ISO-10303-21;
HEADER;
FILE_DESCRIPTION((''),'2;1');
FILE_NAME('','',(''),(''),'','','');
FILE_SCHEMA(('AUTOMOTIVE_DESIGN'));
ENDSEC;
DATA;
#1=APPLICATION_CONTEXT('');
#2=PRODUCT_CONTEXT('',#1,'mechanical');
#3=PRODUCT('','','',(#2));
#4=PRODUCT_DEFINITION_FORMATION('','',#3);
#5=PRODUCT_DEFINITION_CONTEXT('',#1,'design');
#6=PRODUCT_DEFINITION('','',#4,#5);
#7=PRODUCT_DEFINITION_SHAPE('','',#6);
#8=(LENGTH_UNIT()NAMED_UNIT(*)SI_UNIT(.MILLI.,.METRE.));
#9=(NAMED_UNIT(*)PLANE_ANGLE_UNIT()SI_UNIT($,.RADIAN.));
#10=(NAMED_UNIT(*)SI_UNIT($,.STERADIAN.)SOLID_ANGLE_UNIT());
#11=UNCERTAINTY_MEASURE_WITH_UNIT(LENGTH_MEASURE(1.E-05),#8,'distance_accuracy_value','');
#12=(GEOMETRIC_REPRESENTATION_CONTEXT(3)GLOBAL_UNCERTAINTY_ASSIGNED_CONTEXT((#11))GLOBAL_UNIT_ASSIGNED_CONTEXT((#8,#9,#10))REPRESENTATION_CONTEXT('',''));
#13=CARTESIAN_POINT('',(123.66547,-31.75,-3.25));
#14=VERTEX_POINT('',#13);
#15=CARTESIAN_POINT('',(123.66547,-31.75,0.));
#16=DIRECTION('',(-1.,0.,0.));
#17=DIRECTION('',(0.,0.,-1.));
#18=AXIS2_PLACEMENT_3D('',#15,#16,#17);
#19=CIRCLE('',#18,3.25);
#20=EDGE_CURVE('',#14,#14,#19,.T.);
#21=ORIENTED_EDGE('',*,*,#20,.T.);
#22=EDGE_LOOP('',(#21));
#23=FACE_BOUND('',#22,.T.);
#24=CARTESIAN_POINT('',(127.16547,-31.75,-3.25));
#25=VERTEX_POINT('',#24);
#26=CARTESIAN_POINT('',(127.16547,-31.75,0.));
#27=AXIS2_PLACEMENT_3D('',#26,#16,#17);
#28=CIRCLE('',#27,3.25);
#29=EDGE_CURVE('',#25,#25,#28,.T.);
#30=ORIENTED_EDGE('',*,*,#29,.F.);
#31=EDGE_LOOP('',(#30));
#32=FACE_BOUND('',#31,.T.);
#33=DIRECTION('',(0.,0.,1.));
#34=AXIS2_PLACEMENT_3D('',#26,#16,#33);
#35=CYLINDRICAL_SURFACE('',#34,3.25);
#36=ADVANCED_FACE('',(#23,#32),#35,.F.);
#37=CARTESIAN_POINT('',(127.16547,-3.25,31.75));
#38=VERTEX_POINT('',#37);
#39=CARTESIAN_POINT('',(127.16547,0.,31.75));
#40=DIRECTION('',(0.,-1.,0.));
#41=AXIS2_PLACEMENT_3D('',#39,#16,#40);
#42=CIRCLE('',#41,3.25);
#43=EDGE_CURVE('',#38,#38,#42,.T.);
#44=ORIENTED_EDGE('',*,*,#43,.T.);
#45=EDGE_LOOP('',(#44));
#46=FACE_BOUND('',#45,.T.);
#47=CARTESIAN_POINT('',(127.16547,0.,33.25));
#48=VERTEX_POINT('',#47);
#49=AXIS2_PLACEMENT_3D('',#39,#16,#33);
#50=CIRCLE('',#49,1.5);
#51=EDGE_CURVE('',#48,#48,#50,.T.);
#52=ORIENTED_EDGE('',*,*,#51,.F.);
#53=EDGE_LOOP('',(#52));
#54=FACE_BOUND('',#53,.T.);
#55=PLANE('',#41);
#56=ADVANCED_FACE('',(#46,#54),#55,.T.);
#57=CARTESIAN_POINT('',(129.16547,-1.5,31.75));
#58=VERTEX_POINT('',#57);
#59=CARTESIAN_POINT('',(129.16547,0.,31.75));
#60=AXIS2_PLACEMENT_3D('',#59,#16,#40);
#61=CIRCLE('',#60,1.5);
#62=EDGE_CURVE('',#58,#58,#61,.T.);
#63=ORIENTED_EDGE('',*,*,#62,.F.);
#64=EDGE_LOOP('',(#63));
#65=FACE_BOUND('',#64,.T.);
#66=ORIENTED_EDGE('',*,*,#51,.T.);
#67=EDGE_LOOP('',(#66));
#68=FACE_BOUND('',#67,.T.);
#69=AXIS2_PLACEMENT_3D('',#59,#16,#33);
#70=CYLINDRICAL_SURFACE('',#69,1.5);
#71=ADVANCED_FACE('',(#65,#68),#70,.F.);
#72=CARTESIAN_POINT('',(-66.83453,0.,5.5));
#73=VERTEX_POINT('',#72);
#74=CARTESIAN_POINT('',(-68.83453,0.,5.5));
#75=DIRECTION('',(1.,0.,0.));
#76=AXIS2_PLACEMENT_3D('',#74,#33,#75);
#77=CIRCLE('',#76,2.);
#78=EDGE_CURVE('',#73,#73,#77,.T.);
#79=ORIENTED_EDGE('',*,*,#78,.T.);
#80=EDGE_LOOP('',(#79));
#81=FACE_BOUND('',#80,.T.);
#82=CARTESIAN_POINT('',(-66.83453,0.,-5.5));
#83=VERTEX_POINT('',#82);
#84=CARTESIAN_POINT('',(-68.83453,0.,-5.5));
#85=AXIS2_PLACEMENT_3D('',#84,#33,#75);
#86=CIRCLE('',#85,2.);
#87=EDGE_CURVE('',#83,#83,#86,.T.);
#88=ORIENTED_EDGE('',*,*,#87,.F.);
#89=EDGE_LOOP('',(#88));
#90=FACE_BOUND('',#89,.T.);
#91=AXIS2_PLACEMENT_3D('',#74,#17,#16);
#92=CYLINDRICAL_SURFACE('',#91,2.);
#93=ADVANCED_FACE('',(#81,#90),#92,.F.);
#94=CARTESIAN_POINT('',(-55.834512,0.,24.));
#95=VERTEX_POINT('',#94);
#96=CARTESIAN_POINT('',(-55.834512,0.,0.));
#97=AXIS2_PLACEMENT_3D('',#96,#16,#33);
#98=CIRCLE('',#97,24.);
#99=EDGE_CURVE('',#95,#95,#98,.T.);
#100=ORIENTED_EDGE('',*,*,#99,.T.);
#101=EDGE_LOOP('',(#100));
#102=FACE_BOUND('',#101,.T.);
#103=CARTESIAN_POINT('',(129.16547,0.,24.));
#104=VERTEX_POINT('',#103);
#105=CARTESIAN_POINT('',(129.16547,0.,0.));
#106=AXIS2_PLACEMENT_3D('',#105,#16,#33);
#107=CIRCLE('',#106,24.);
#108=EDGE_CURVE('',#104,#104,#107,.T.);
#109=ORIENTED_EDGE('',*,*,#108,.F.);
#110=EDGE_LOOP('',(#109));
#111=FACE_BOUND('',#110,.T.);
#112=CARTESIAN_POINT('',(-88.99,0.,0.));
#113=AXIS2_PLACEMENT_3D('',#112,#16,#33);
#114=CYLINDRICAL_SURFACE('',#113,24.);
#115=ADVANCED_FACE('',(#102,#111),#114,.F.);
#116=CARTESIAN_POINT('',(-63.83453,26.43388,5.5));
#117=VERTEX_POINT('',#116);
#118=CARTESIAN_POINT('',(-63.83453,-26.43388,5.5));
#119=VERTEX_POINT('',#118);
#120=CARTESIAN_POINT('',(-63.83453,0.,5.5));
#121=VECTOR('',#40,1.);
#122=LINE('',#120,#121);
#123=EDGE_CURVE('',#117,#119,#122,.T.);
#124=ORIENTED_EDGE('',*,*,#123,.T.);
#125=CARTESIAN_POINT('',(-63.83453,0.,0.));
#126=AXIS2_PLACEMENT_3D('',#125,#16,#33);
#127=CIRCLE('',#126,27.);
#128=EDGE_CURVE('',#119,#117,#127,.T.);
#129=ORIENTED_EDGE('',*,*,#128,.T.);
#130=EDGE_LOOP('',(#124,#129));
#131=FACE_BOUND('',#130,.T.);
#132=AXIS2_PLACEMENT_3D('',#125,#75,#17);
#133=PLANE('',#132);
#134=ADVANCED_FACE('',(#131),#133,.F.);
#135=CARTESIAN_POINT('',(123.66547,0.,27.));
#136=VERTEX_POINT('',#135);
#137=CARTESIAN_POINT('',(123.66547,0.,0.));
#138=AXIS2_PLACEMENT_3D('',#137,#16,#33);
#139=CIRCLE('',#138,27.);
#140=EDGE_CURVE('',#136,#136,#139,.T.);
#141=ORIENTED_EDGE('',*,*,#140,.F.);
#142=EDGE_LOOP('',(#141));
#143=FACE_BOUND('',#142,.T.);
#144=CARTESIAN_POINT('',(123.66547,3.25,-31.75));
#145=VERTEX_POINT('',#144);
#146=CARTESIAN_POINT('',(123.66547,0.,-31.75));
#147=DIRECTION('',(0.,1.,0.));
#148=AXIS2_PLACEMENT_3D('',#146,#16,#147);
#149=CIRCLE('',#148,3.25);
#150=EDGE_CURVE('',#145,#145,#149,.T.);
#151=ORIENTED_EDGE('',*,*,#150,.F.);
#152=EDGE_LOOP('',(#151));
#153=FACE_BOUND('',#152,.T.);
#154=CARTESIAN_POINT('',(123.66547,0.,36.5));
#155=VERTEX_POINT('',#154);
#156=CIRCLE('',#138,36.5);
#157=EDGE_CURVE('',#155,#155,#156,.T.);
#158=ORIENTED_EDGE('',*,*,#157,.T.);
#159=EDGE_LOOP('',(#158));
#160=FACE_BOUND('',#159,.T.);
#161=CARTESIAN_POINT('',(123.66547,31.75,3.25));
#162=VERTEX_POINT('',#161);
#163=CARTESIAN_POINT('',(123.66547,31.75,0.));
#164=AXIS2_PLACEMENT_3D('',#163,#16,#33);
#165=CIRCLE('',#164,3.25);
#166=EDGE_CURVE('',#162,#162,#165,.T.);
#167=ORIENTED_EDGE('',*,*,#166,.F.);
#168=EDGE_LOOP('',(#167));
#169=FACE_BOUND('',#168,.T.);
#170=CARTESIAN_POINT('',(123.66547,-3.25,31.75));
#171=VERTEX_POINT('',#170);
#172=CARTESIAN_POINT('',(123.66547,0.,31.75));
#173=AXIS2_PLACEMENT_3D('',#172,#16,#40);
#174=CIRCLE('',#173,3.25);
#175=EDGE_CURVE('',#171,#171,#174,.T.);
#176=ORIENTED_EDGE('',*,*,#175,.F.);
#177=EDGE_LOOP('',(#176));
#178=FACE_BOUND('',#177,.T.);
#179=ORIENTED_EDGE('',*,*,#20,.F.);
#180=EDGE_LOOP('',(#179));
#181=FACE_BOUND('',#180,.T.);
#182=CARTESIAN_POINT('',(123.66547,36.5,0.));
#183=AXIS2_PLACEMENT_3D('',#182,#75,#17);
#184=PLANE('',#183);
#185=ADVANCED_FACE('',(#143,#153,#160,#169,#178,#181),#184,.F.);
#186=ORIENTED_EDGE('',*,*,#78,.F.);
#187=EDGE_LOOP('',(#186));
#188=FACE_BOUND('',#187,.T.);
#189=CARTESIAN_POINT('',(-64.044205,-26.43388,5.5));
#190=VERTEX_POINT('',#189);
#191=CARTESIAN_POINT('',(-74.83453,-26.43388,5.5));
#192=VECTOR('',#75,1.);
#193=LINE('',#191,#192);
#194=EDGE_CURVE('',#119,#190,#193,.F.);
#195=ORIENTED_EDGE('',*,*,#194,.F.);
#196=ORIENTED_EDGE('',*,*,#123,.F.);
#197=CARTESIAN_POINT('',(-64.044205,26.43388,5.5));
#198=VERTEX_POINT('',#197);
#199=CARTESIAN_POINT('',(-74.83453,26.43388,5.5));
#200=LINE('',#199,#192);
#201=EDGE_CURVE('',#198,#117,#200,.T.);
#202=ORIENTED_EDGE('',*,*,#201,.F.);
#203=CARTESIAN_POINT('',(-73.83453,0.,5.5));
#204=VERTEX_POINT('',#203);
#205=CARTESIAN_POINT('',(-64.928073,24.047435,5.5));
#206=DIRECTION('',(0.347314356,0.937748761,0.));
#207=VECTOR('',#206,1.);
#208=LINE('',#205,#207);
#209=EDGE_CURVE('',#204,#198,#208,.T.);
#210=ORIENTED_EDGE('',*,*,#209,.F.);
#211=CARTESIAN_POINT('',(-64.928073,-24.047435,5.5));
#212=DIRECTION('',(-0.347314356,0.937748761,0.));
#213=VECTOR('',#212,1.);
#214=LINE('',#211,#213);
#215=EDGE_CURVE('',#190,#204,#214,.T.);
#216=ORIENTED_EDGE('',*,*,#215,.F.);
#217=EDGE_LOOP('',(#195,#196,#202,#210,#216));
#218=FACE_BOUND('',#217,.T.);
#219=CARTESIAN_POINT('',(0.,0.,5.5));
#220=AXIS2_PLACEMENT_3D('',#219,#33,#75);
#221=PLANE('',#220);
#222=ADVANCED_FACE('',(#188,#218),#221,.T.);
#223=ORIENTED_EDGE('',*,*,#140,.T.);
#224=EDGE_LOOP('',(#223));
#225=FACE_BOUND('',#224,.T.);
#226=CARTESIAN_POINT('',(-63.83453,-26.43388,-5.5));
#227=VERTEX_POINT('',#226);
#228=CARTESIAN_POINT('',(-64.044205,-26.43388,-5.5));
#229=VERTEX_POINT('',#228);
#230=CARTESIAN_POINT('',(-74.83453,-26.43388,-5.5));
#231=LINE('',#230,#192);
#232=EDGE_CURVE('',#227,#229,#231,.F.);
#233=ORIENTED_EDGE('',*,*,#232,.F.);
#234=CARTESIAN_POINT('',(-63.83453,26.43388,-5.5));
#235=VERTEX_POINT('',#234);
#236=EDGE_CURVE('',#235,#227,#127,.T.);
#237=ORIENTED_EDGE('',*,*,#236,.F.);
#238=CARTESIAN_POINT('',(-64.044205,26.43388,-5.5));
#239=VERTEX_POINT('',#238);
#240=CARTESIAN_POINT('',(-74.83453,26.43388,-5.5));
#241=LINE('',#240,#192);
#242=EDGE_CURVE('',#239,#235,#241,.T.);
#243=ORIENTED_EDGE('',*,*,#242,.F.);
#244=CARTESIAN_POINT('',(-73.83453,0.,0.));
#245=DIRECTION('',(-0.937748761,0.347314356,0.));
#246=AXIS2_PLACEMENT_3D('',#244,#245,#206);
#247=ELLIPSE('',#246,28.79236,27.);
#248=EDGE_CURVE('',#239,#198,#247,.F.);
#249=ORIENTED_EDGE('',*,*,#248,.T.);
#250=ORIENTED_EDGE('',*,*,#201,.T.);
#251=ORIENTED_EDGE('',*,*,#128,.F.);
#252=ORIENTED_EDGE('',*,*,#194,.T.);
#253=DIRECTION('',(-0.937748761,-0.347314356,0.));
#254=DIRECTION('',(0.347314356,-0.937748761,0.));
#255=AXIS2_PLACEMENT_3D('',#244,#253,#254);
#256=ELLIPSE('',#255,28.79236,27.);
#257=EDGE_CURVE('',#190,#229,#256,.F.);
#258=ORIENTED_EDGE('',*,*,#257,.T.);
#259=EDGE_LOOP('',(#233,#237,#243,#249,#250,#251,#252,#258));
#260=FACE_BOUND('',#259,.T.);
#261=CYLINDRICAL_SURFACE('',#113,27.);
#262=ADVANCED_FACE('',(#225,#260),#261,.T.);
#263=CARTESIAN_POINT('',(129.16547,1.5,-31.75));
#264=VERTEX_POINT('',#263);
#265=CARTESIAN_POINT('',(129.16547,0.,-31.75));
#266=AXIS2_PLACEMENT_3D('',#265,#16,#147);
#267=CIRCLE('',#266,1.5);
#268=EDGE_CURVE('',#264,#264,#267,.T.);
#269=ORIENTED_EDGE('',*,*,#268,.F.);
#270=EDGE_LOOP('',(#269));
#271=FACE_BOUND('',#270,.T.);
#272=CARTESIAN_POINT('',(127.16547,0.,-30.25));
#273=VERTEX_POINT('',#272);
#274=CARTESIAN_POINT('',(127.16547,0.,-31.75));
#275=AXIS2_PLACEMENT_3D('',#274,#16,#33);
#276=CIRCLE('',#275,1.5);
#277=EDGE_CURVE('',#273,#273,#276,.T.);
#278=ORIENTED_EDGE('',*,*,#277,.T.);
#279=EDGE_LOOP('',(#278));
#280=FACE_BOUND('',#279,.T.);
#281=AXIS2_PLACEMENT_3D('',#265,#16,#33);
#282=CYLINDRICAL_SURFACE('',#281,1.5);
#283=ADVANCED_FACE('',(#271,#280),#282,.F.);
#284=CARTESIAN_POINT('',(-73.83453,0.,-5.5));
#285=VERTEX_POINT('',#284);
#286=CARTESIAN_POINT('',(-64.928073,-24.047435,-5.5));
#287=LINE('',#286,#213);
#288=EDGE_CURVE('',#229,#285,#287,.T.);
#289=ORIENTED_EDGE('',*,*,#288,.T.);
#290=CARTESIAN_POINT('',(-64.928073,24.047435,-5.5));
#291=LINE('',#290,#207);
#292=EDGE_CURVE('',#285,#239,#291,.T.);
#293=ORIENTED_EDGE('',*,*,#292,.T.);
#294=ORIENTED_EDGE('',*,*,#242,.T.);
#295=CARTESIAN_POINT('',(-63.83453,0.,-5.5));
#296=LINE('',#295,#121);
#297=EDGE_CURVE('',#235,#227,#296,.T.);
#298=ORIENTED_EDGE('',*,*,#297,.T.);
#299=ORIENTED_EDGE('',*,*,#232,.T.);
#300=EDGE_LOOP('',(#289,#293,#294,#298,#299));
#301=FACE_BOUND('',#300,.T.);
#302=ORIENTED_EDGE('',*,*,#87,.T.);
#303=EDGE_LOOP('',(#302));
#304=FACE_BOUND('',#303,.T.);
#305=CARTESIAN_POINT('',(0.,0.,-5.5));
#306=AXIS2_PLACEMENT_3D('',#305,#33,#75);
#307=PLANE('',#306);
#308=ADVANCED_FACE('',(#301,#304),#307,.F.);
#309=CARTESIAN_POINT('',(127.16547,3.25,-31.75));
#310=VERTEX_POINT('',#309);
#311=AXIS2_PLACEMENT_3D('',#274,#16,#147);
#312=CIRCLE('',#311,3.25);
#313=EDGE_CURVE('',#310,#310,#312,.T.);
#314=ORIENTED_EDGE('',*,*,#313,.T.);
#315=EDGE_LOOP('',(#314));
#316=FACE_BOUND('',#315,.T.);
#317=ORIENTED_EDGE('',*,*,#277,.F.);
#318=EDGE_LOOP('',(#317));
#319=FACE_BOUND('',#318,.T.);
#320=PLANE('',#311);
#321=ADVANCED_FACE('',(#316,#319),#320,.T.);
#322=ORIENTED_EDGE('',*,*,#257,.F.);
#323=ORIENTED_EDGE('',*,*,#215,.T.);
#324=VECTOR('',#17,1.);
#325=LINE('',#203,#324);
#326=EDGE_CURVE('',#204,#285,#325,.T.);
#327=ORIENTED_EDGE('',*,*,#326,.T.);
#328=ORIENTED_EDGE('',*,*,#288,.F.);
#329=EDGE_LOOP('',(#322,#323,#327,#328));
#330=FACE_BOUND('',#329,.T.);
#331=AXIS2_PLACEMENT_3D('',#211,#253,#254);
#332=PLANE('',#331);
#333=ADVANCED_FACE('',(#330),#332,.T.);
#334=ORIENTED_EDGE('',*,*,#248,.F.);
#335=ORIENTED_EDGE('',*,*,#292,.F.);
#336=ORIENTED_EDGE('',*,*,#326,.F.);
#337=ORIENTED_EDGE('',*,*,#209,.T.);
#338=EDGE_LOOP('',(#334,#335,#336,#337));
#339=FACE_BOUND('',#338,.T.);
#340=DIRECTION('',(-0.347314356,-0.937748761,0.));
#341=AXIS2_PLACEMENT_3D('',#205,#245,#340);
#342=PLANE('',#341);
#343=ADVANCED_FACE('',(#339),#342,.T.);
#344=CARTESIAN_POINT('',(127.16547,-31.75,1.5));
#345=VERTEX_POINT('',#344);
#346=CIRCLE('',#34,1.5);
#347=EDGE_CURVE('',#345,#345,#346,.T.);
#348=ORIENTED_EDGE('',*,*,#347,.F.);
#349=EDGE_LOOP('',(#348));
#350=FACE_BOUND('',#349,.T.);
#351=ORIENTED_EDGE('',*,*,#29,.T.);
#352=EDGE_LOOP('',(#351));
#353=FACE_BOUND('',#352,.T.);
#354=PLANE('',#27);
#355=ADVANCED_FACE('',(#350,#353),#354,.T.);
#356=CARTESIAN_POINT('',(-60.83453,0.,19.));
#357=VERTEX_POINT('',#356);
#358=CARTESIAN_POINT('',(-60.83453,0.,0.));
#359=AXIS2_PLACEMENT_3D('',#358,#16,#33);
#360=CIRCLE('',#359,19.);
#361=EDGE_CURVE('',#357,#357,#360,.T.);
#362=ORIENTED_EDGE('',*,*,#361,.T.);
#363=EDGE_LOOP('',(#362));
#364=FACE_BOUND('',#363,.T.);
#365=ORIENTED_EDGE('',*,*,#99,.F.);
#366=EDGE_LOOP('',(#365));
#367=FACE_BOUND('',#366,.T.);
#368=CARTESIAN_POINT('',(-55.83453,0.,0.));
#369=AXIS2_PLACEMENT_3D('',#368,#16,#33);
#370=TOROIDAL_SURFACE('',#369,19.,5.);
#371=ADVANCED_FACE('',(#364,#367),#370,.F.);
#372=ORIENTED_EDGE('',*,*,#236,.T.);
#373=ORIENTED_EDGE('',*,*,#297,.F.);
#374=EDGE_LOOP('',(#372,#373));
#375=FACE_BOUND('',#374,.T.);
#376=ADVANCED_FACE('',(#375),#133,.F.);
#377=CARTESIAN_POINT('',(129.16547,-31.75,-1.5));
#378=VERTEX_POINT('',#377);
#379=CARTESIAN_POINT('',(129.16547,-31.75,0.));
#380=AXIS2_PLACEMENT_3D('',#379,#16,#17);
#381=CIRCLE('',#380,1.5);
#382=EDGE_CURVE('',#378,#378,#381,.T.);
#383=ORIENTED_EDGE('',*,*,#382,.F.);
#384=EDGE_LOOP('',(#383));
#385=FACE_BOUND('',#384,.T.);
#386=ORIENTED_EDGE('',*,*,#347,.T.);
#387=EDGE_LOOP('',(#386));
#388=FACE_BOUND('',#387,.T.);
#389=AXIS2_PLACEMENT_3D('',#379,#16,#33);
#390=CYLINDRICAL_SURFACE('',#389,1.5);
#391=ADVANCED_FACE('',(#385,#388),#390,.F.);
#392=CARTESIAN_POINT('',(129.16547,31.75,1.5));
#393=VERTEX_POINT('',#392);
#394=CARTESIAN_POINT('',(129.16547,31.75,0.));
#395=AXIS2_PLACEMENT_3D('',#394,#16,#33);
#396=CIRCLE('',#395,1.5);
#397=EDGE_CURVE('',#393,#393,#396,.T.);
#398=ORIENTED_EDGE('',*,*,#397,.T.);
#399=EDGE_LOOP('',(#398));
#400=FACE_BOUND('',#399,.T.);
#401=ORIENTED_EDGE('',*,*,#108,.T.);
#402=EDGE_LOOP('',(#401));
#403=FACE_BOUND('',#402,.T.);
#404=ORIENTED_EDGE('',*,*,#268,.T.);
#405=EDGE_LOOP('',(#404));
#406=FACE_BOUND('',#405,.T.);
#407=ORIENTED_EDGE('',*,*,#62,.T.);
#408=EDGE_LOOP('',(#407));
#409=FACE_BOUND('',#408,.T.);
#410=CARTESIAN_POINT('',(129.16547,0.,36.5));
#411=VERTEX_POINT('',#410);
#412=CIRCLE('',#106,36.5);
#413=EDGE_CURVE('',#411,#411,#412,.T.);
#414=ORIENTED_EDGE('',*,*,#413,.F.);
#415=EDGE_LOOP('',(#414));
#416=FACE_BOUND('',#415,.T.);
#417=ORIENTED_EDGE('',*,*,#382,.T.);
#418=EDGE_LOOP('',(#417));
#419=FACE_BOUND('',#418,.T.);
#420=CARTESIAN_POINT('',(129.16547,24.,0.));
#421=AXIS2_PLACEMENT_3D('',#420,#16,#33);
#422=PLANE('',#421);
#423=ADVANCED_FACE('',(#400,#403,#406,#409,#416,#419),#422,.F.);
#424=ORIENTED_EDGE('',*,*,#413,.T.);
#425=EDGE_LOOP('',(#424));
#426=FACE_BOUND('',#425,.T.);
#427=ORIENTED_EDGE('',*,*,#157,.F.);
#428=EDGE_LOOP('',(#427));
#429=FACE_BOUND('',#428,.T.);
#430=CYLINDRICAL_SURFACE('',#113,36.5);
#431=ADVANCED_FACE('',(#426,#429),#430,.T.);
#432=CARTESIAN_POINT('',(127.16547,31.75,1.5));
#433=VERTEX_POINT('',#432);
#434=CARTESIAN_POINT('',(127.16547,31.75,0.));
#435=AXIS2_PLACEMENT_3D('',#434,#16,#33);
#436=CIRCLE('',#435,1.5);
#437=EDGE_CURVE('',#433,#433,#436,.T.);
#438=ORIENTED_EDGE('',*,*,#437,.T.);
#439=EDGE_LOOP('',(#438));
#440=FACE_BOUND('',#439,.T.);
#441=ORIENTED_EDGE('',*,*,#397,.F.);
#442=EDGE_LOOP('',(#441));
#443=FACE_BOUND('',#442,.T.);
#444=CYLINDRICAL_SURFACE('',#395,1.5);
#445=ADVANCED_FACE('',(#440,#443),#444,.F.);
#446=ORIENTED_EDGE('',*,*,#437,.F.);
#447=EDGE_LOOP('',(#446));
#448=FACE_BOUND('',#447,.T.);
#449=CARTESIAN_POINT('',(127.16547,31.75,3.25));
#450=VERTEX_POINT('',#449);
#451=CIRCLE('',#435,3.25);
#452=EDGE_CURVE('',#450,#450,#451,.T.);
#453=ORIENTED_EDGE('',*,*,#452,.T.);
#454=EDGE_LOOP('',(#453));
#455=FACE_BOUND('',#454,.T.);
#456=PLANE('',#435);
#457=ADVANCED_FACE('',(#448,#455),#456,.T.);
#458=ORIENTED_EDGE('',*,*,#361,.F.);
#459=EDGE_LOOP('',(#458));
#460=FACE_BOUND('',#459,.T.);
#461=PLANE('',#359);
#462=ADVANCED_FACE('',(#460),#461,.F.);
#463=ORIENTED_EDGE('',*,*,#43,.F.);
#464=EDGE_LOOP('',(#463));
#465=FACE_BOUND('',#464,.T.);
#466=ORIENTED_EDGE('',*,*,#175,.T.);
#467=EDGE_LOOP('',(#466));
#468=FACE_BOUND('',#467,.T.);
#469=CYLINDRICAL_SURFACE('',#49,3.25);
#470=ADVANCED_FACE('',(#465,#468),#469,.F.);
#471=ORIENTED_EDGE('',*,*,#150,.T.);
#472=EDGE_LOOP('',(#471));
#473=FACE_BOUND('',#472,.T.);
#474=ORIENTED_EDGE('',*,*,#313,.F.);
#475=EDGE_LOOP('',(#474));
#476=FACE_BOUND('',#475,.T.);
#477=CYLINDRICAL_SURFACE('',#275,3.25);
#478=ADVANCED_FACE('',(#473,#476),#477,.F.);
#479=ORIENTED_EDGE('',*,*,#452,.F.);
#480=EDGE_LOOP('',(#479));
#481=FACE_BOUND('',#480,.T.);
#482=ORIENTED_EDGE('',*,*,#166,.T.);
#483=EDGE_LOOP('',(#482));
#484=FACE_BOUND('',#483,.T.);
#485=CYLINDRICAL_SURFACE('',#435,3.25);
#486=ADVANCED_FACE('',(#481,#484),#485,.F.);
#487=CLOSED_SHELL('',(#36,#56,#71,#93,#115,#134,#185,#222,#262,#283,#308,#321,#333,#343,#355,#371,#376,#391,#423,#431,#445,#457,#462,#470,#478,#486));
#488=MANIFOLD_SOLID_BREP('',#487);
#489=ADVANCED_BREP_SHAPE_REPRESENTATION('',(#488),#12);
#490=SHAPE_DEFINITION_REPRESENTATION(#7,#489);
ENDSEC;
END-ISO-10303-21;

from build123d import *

# Parameters (mm, degrees)
ESBO_O2_R                = 2
RESSALTO_EXTRUS_O1_DEPTH = 5.5
ESBO_O3_R                = 33.530734639
ESBO_O3_R_2              = 27
CORTE_EXTRUS_O1_DEPTH    = 11
ESBO_O4_R                = 3.25
CORTE_EXTRUS_O3_DEPTH    = 3.5
CORTE_EXTRUS_O4_DEPTH    = 205.13414707
PADR_OCIRCULAR7_COUNT    = 4


with BuildPart() as part:
    # Esboço1 → revolução (revolve)
    with BuildSketch(Plane.XY, mode=Mode.PRIVATE) as revolu_o_sk:
        with BuildLine():
            Line((-63.834530413, 0), (-63.834530413, 27))
            Line((-63.834530413, 27), (123.665469587, 27))
            Line((123.665469587, 27), (123.665469587, 36.5))
            Line((123.665469587, 36.5), (129.165469587, 36.5))
            Line((129.165469587, 36.5), (129.165469587, 24))
            Line((129.165469587, 24), (-55.834512047, 24))
            ThreePointArc((-55.834512047, 24), (-59.370057826, 22.535540399), (-60.834530413, 19))
            Line((-60.834530413, 19), (-60.834530413, 0))
            Line((-60.834530413, 0), (-63.834530413, 0))
        make_face()
    revolve(revolu_o_sk.sketch.rotate(Axis((-88.99, 0, 0), (1, 0, 0)), 90), axis=Axis((-88.99, 0, 0), (1, 0, 0)))

    # Esboço4 → Corte-extrusão3 (cut)
    with BuildSketch(Plane.ZY.offset(-123.665469587)):
        with Locations((0, 31.75)):
            Circle(ESBO_O4_R)
    corte_extrus_o3 = extrude(amount=-CORTE_EXTRUS_O3_DEPTH, mode=Mode.SUBTRACT)

    # Esboço4<3> → Corte-extrusão4 (cut, through all)
    with BuildSketch(Plane.ZY.offset(-123.665469587)):
        with BuildLine():
            ThreePointArc((0, 33.25), (-1.5, 31.75), (0, 30.25))
            Line((0, 30.25), (0, 33.25))
        make_face()
        with BuildLine():
            Line((0, 33.25), (0, 30.25))
            ThreePointArc((0, 30.25), (1.060660172, 30.689339828), (1.5, 31.75))
            ThreePointArc((1.5, 31.75), (1.060660172, 32.810660172), (0, 33.25))
        make_face()
    corte_extrus_o4 = extrude(amount=-CORTE_EXTRUS_O4_DEPTH, mode=Mode.SUBTRACT)

    # PadrãoCircular7: Corte-extrusão3, Corte-extrusão4 ×4 about axis
    padr_ocircular7_axis = Axis((0, 0, 0), (1, 0, 0))
    add([corte_extrus_o3.rotate(padr_ocircular7_axis, i * 360 / PADR_OCIRCULAR7_COUNT) for i in range(1, PADR_OCIRCULAR7_COUNT)], mode=Mode.SUBTRACT)
    add([corte_extrus_o4.rotate(padr_ocircular7_axis, i * 360 / PADR_OCIRCULAR7_COUNT) for i in range(1, PADR_OCIRCULAR7_COUNT)], mode=Mode.SUBTRACT)


with BuildPart() as body_2:
    # Esboço2 → Ressalto-extrusão1 (new, symmetric)
    with BuildSketch(Plane.XY):
        Polygon((-63.834530413, 27), (-73.834530413, 0), (-63.834530413, -27), align=None)
        with Locations((-68.834530413, 0)):
            Circle(ESBO_O2_R, mode=Mode.SUBTRACT)
    extrude(amount=RESSALTO_EXTRUS_O1_DEPTH, both=True)

    # Esboço3 → Corte-extrusão1 (cut)
    with BuildSketch(Plane.ZY.offset(63.834530413)):
        Circle(ESBO_O3_R)
        Circle(ESBO_O3_R_2, mode=Mode.SUBTRACT)
    extrude(amount=CORTE_EXTRUS_O1_DEPTH, mode=Mode.SUBTRACT)


with BuildPart() as part_1:
    add(part.part)

    # Combinar1: union body 2
    add(body_2.part)


solid = part_1.part
